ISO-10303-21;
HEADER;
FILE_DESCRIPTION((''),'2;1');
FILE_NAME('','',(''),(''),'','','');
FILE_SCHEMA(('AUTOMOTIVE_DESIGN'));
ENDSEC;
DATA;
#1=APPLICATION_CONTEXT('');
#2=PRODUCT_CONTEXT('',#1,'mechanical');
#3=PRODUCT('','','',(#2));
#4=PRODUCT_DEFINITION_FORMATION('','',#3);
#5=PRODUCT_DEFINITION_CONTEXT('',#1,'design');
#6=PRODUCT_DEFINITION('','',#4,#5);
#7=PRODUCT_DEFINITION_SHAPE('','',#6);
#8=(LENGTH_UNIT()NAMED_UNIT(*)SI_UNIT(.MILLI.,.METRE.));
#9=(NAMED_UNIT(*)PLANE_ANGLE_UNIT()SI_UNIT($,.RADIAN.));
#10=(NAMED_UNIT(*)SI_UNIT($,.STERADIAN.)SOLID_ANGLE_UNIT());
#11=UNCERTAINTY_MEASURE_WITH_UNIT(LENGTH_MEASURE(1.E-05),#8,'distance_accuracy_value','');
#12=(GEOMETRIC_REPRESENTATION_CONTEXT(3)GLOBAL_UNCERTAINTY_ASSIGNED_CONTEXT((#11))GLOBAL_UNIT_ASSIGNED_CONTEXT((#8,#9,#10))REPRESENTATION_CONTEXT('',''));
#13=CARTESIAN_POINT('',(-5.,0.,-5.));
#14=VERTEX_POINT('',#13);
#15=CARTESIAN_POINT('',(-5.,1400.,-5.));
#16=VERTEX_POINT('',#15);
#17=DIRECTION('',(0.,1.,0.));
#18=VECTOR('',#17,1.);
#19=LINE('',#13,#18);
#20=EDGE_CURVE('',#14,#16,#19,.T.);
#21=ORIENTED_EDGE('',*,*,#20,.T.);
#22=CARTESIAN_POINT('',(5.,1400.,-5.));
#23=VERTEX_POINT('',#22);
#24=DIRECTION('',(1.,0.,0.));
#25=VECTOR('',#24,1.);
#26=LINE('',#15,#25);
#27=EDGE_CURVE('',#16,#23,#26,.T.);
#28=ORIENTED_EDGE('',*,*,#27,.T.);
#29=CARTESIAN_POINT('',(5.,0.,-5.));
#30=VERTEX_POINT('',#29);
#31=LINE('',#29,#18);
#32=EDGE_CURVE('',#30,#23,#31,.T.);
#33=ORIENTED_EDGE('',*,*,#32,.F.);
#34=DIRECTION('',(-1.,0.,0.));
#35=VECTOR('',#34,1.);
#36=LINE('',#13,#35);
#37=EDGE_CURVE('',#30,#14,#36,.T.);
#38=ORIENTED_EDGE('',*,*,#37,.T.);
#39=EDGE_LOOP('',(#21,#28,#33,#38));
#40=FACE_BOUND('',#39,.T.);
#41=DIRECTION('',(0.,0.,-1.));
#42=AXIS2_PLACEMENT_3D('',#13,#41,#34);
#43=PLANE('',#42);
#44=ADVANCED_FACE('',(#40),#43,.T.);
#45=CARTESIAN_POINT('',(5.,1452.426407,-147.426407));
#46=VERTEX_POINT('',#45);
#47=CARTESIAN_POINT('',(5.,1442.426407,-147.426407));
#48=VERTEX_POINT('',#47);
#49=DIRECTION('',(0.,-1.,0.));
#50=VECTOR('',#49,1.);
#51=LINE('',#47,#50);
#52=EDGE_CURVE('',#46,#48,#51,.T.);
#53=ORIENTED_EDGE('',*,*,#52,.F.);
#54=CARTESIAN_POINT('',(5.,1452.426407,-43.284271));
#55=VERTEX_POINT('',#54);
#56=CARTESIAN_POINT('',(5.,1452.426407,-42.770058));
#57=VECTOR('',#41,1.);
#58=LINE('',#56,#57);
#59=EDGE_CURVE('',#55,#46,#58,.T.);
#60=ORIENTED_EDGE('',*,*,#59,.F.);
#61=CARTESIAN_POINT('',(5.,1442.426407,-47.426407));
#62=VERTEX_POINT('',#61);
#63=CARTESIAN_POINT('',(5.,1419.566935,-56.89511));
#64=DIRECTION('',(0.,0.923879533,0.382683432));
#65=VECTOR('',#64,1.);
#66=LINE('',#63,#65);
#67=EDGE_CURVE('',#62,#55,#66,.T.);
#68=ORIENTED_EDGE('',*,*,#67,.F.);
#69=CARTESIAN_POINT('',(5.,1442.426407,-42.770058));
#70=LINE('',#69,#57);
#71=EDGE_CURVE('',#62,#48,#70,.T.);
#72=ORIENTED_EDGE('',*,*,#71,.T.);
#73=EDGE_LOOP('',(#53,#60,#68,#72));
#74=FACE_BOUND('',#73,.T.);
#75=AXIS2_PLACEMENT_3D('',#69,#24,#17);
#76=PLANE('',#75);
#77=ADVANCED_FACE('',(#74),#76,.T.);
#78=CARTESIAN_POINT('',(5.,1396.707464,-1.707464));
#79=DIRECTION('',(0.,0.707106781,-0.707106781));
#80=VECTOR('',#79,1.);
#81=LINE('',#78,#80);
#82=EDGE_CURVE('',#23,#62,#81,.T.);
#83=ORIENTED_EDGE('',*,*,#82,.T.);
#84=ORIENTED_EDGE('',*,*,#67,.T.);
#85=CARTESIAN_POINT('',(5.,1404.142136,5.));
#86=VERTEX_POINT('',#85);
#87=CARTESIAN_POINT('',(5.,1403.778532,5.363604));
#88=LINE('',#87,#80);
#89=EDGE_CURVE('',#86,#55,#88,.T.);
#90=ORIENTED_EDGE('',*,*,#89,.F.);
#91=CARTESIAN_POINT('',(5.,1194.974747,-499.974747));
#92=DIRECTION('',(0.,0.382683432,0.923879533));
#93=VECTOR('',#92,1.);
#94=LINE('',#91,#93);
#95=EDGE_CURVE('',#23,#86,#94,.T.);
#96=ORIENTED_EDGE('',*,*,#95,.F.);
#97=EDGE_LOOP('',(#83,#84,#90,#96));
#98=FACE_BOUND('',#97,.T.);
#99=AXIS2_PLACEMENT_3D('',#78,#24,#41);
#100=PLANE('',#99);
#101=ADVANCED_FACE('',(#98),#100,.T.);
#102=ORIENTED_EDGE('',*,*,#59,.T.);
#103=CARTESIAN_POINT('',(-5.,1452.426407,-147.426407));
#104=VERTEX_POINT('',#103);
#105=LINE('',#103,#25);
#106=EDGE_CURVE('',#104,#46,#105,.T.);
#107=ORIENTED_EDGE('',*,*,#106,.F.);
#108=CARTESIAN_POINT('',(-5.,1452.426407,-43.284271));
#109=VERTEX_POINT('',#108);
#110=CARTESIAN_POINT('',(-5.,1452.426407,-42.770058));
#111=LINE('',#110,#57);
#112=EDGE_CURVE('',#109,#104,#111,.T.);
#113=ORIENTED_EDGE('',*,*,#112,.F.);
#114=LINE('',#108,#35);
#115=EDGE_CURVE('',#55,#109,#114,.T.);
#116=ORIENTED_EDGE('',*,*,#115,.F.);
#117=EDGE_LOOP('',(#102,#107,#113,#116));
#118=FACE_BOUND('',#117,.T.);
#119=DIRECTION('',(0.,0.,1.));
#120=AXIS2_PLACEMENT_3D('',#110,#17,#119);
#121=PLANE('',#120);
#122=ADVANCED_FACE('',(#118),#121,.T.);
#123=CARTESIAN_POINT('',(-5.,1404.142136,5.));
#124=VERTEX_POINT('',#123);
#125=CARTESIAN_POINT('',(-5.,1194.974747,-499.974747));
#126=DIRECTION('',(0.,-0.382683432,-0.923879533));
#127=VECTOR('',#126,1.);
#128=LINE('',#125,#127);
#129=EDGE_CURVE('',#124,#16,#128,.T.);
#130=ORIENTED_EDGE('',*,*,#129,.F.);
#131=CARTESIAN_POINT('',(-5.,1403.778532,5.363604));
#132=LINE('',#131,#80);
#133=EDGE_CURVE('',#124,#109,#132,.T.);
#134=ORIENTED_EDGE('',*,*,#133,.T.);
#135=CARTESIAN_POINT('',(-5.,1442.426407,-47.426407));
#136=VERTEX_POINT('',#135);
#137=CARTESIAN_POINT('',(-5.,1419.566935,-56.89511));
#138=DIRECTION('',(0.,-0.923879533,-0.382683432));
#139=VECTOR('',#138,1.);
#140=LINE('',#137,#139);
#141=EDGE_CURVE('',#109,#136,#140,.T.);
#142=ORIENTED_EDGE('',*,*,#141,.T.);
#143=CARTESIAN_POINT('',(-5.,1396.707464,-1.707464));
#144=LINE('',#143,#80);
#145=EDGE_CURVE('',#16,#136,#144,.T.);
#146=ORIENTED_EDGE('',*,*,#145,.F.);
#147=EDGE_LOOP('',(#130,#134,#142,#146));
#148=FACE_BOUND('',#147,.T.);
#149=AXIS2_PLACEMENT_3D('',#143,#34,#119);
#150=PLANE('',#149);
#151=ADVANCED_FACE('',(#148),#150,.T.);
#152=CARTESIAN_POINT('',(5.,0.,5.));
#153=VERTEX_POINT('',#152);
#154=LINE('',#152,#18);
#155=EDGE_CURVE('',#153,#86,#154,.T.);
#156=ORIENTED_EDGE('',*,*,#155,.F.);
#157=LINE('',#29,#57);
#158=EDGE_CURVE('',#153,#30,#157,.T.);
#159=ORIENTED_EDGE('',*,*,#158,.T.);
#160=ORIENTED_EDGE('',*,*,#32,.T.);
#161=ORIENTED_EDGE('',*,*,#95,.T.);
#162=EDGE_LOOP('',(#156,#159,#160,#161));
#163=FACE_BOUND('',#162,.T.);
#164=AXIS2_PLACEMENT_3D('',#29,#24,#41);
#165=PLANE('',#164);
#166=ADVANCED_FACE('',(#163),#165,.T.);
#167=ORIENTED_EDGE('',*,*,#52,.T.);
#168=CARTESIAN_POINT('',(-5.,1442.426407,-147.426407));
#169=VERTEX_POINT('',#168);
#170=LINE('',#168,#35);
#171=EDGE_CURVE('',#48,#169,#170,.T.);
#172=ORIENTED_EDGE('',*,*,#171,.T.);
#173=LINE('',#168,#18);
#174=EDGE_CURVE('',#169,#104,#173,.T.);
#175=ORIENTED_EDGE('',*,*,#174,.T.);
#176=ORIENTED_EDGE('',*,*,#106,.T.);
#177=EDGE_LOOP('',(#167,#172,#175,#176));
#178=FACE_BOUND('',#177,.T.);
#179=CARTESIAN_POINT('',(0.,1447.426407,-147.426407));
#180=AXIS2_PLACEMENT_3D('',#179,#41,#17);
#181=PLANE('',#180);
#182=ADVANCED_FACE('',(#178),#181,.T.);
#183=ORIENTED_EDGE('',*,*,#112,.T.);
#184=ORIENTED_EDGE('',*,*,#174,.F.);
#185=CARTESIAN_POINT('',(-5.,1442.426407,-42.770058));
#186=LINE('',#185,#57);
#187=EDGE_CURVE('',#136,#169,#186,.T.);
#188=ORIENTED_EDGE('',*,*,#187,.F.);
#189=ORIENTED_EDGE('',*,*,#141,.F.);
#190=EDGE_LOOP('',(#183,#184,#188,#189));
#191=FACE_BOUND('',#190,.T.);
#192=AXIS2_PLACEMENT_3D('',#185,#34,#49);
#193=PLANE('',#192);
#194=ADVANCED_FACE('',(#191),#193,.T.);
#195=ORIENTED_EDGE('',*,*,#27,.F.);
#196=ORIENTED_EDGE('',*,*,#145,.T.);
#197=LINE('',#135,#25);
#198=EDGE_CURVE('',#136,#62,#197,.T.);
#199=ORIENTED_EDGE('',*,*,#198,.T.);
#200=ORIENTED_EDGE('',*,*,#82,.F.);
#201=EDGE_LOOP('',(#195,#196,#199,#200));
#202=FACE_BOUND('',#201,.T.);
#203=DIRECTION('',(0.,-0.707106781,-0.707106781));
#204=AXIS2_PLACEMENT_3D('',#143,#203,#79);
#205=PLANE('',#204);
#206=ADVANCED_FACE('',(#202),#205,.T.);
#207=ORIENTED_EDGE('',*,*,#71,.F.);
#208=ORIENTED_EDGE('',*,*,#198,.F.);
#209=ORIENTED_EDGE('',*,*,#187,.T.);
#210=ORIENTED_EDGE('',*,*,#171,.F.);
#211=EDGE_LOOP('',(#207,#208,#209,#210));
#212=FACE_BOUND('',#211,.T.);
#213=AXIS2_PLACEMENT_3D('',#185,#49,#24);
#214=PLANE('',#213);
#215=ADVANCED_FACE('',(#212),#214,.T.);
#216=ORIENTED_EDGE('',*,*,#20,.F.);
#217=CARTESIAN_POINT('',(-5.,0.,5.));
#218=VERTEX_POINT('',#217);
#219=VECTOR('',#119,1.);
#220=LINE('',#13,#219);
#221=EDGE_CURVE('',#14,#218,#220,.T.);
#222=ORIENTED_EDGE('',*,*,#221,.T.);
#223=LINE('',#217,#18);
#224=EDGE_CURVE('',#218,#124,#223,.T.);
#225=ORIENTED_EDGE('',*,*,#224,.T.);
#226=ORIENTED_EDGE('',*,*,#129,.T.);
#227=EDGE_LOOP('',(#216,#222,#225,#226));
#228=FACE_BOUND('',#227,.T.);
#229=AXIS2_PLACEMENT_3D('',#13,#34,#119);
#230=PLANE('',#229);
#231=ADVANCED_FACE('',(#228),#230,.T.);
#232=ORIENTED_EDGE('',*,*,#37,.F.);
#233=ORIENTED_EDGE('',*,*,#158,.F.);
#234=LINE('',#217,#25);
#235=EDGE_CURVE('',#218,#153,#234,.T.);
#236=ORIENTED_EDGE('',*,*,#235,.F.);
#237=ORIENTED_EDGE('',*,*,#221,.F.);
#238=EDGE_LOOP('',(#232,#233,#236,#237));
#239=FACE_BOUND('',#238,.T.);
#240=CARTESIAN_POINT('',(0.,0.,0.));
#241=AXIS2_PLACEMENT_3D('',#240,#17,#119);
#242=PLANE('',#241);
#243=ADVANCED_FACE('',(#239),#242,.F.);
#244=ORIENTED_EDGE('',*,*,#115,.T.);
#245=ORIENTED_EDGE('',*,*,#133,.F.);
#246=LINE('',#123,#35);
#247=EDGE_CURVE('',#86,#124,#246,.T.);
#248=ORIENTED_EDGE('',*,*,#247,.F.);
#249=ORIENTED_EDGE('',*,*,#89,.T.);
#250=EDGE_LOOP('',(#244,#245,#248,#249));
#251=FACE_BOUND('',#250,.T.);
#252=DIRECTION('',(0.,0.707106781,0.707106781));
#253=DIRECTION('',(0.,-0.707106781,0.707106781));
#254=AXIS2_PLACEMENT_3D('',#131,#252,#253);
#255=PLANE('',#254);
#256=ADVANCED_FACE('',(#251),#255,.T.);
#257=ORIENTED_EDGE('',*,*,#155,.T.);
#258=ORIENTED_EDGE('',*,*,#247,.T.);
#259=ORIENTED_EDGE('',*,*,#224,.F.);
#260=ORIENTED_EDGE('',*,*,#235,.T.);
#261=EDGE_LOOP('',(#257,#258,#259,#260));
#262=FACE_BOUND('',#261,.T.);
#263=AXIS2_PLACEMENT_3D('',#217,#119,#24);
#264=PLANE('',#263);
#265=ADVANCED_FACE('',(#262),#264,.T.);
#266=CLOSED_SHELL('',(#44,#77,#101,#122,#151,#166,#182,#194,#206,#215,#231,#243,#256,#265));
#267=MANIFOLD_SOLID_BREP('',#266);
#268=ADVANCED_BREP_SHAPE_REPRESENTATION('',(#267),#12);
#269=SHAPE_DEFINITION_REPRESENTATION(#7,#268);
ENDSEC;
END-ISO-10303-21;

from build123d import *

# Parameters (mm, degrees)
SKETCH_1_W = 10
SKETCH_1_H = 10


with BuildPart() as part:
    # 扫描2: sweep along a path in 草图3
    with BuildLine(Plane(origin=(0, 0, 0), x_dir=(0, 0, -1), z_dir=(1, 0, 0))) as sweep_2_path:
        Line((5, 0), (5, 1400))
        Line((5, 1400), (47.426406871, 1442.426406871))
        Line((47.426406871, 1442.426406871), (147.426406871, 1442.426406871))
    # 草图1 → 扫描2 (sweep)
    with BuildSketch(Plane(origin=(0, 0, 0), x_dir=(1, 0, 0), z_dir=(0, 1, 0))):
        Rectangle(SKETCH_1_W, SKETCH_1_H)
    sweep(path=sweep_2_path.line, transition=Transition.RIGHT)


solid = part.part
